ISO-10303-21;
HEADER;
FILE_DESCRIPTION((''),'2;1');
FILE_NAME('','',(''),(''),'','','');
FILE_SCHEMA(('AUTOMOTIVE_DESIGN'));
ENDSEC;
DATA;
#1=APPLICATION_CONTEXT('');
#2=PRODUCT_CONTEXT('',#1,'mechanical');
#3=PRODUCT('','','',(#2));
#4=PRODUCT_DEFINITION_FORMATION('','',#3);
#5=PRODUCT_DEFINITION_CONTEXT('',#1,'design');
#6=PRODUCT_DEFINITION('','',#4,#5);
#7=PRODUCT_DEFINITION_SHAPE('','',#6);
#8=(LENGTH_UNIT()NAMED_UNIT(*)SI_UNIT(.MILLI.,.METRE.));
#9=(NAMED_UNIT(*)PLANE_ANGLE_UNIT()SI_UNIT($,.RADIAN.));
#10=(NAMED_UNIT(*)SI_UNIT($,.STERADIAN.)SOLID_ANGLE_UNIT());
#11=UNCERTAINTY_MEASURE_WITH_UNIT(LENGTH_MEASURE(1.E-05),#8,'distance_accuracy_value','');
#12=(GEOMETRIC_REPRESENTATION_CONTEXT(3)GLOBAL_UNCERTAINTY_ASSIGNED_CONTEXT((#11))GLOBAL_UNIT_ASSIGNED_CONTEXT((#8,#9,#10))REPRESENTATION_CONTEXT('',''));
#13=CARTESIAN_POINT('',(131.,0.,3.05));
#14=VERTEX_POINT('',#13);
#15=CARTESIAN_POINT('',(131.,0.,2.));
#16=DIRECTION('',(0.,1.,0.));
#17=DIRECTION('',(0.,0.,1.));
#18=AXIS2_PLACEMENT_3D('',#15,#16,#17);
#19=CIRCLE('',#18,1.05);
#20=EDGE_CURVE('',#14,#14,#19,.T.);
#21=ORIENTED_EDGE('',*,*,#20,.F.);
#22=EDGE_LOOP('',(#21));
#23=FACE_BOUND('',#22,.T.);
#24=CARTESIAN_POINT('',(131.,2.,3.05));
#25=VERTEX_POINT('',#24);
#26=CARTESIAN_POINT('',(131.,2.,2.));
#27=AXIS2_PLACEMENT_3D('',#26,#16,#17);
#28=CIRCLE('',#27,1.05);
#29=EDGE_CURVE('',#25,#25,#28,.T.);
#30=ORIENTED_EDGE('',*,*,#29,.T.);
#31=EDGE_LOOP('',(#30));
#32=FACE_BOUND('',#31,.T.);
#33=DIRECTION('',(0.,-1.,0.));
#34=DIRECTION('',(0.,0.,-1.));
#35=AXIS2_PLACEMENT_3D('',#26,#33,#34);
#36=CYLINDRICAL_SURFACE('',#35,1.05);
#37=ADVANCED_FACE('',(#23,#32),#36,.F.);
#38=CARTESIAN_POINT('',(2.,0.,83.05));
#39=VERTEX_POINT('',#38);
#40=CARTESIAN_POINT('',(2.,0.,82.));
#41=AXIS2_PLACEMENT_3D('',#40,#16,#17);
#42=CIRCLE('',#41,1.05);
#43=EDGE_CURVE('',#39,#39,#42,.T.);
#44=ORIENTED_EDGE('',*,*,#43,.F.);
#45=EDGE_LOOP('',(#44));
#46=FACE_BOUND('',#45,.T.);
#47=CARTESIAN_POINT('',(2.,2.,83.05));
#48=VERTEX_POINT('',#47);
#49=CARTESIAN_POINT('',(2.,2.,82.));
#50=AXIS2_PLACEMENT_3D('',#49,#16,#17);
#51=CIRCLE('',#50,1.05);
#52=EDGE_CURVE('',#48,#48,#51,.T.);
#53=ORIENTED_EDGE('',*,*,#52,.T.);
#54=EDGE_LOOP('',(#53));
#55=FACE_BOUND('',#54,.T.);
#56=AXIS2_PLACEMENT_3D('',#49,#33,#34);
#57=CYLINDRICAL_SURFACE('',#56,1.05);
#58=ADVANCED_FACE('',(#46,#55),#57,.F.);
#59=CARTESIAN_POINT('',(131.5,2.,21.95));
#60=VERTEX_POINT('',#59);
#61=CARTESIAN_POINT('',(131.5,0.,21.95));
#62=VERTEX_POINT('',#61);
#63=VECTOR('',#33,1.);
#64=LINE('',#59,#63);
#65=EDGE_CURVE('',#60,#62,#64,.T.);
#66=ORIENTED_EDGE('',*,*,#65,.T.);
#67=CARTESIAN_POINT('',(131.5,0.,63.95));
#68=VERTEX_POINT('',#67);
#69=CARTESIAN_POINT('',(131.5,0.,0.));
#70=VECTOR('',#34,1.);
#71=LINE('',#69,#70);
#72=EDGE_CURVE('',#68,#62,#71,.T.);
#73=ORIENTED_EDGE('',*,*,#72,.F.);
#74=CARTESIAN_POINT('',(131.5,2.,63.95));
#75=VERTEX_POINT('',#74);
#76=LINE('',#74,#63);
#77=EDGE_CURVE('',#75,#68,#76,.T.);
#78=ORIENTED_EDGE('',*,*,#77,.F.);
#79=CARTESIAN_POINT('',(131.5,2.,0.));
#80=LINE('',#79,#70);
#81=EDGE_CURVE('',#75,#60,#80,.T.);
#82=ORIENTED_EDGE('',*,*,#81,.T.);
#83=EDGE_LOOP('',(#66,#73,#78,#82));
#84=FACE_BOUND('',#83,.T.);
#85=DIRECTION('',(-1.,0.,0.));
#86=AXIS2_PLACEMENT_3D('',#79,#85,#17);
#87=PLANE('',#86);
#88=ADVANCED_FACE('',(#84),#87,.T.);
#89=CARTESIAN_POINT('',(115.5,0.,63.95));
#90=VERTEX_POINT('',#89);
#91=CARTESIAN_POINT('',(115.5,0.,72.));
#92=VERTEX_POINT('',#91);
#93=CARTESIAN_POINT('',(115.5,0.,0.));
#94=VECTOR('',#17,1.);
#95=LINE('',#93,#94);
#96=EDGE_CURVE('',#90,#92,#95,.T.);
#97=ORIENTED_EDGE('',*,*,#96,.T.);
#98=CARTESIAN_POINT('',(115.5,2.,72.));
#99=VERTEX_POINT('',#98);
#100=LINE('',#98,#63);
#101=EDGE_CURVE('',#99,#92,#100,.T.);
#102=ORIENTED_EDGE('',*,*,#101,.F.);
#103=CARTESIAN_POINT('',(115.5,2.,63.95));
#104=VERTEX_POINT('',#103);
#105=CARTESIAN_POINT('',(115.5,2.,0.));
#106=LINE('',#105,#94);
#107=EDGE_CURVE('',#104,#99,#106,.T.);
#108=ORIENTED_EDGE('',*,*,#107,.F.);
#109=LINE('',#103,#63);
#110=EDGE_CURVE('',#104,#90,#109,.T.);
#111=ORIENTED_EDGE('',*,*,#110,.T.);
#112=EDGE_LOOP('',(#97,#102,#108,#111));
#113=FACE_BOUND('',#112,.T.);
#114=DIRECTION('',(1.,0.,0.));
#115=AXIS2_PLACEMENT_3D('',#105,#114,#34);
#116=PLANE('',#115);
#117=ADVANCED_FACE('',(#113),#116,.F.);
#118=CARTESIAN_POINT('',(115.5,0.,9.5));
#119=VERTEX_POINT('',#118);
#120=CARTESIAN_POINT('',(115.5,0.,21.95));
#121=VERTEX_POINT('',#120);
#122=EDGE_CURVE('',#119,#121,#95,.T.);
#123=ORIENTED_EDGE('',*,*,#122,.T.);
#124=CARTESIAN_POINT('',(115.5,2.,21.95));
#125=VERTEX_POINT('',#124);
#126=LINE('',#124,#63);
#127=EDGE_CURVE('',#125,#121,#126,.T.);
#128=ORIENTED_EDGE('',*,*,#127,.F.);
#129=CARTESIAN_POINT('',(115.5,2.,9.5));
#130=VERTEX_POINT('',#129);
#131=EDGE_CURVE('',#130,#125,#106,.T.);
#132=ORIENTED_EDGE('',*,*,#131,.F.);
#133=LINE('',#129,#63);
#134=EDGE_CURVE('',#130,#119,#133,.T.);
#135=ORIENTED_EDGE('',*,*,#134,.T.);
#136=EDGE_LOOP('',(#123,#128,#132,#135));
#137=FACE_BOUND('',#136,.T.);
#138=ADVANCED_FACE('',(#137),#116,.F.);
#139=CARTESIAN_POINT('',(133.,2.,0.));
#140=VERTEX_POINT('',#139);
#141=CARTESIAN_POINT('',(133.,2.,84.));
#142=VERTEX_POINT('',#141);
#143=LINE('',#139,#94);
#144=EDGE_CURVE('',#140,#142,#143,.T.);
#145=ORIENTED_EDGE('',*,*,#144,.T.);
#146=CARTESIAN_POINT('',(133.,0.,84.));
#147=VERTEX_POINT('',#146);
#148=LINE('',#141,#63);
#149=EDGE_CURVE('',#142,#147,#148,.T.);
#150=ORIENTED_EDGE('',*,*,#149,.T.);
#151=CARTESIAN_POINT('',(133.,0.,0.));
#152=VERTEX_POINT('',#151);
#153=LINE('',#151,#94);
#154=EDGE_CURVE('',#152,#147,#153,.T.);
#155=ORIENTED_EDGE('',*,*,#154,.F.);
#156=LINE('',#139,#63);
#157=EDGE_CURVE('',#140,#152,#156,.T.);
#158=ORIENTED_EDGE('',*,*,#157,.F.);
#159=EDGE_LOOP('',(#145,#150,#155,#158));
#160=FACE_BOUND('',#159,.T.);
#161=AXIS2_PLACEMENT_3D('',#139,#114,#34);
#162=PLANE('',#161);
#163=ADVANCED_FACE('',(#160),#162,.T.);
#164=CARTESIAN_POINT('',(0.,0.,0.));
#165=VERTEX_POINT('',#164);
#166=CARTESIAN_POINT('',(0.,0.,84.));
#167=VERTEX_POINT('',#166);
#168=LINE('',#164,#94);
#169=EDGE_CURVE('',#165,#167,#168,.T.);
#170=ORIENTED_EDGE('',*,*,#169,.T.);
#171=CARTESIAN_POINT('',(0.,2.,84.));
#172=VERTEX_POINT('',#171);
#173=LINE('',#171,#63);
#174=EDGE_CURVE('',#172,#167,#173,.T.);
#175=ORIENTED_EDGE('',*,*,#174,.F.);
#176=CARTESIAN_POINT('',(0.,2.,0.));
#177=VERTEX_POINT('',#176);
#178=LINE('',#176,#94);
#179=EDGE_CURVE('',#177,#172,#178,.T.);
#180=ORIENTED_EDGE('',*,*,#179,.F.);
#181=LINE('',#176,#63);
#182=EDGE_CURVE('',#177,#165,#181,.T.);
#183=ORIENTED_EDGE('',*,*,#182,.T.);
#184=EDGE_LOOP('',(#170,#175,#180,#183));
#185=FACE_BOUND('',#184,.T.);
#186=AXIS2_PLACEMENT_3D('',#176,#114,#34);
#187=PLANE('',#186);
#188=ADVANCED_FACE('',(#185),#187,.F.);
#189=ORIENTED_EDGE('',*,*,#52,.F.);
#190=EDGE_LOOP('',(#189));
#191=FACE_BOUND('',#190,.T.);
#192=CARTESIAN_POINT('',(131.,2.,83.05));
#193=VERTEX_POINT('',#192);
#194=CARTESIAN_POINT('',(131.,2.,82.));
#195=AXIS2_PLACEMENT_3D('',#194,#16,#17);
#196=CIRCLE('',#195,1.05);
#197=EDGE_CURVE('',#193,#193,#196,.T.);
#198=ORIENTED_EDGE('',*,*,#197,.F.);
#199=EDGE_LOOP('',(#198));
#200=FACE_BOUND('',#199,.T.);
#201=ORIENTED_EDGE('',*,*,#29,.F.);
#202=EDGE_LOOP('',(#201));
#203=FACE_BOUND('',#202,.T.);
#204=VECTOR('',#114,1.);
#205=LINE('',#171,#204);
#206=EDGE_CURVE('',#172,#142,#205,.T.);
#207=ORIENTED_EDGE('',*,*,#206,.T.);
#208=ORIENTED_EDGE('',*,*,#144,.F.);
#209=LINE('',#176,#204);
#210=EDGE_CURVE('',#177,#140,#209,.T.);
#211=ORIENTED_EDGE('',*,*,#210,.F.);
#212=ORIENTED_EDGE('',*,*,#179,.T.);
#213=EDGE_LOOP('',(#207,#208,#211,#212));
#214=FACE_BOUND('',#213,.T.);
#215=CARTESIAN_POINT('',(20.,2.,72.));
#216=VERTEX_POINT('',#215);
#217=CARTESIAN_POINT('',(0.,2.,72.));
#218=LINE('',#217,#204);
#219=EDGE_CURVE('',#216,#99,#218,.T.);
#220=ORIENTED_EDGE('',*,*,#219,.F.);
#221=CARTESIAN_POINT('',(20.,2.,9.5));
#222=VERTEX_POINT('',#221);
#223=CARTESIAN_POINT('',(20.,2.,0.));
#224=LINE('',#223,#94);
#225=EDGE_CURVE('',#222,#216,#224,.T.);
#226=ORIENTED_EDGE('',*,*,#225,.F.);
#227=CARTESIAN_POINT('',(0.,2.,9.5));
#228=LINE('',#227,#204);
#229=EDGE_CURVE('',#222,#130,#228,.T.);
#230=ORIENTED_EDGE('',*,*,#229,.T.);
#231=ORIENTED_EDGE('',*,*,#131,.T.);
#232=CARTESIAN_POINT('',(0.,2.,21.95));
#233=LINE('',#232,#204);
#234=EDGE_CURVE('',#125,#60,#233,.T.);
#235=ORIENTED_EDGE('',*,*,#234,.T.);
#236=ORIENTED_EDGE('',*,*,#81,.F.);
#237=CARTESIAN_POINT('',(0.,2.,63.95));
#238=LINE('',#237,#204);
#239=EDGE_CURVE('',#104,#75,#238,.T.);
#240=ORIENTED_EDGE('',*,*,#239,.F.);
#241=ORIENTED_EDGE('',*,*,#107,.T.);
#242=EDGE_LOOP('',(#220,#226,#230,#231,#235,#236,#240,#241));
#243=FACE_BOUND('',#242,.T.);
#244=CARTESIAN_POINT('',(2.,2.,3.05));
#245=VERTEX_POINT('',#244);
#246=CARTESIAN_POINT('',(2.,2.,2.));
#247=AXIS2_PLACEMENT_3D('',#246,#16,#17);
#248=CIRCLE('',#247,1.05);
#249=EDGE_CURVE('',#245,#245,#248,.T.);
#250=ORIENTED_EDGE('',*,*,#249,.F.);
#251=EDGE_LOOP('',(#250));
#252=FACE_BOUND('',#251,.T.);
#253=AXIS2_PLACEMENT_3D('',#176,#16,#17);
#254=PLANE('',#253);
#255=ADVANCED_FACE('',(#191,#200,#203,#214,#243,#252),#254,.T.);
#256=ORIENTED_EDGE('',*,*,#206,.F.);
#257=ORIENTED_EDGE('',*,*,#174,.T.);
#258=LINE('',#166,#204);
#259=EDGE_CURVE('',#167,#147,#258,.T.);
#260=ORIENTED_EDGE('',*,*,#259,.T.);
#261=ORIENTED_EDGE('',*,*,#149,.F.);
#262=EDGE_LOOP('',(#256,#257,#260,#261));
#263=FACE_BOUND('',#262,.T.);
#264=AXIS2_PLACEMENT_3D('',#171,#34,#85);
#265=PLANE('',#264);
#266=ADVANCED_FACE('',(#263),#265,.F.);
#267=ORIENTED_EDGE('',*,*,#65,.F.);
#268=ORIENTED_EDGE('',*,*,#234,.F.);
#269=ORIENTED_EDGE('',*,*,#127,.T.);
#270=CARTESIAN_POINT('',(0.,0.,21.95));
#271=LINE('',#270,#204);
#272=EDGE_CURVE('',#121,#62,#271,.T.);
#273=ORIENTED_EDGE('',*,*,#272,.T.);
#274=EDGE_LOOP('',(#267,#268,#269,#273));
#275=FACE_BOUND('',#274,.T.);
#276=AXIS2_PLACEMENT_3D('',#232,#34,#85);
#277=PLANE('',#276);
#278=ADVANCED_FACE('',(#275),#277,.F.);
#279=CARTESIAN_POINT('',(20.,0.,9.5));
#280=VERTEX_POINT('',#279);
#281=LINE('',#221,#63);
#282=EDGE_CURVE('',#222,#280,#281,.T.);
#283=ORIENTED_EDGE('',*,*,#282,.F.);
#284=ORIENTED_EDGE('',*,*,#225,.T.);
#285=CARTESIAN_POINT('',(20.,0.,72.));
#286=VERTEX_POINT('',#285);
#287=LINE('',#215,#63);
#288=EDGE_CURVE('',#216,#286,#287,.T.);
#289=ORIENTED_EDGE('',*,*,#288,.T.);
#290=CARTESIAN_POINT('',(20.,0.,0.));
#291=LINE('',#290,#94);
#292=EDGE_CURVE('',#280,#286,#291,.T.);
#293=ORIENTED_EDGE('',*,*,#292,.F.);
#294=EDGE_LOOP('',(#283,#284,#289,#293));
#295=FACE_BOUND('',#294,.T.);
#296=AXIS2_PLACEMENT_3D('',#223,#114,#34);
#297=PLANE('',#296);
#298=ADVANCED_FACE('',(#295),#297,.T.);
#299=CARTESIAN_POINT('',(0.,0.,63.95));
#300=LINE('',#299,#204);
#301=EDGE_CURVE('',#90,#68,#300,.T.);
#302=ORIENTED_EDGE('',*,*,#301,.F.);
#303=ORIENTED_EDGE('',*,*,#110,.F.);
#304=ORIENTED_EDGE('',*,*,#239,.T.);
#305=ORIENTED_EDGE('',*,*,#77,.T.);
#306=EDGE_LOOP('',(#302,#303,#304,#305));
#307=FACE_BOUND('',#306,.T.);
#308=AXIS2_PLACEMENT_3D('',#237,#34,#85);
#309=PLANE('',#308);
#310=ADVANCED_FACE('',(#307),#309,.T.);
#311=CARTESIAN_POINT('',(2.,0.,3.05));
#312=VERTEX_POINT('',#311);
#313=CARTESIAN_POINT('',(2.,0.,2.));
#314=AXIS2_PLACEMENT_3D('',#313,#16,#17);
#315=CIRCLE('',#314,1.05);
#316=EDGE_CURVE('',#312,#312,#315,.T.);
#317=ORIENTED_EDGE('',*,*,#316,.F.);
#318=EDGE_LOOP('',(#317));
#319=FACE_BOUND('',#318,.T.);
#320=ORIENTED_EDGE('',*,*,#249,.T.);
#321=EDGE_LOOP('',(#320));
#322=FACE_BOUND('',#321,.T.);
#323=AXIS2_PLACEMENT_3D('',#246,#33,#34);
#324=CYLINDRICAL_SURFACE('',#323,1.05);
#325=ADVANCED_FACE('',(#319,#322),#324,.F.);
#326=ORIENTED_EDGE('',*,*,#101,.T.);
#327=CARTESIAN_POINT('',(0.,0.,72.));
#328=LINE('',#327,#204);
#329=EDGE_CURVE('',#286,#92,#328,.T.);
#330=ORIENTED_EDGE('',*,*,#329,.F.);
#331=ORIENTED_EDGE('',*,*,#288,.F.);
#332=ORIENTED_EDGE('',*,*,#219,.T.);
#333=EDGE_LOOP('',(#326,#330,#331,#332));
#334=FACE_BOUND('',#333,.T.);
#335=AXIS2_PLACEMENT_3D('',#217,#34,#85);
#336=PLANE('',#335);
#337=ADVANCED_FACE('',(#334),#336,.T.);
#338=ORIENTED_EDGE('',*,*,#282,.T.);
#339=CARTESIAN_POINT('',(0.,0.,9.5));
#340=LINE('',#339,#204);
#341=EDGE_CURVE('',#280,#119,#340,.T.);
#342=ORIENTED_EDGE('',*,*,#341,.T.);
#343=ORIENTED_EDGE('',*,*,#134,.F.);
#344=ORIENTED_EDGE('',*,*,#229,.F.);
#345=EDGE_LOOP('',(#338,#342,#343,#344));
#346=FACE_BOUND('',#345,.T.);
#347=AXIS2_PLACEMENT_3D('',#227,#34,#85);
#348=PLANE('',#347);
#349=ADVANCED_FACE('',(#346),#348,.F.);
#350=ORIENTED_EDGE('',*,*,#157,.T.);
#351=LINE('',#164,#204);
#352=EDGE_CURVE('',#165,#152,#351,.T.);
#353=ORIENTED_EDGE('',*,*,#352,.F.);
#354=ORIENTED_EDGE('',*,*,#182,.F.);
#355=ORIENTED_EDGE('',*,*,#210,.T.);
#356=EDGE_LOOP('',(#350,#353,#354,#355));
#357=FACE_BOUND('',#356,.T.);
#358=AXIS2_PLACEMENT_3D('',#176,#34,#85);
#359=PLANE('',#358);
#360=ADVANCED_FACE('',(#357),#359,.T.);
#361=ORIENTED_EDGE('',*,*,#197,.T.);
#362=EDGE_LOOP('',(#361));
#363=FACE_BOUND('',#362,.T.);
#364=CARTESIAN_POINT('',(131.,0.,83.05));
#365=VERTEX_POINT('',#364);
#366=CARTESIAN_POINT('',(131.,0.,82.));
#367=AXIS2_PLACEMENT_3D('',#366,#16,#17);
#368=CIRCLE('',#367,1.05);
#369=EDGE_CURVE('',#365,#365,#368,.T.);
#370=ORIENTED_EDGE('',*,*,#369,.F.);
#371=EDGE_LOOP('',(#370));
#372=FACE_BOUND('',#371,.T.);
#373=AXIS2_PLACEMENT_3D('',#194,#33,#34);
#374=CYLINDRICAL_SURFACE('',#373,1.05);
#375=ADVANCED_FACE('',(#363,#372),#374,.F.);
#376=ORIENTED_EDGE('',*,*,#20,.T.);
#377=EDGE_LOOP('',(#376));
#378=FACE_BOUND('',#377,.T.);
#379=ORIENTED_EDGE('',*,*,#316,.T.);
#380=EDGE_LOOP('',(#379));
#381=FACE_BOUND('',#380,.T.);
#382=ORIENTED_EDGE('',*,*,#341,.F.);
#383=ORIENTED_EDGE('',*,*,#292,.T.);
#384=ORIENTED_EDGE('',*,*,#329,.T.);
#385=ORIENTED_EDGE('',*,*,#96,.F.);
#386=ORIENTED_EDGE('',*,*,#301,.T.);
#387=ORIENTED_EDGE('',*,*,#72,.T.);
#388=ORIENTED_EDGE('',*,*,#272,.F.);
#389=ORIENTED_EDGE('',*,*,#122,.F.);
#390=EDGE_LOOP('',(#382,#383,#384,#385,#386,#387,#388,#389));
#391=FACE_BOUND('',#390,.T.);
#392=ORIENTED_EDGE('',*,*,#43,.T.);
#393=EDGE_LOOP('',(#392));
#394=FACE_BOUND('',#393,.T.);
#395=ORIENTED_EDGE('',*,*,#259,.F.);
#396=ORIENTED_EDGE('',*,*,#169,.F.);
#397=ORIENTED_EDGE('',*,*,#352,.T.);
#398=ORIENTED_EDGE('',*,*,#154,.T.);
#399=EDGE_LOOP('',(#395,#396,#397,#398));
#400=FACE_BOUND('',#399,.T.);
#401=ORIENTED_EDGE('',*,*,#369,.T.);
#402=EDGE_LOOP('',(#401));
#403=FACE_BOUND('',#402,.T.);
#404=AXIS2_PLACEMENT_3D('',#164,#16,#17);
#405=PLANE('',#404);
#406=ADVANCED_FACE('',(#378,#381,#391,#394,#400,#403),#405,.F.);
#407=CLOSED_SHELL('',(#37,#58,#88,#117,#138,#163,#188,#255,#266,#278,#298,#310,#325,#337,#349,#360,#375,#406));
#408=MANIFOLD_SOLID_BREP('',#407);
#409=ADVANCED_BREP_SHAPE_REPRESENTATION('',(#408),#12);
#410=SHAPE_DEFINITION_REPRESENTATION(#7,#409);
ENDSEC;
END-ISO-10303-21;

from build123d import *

# Parameters (mm, degrees)
SKETCH_1_W      = 133
SKETCH_1_H      = 84
SKETCH_1_R      = 1.05
EXTRUDE_1_DEPTH = 2


with BuildPart() as part:
    # 草图1 → 凸台-拉伸1 (new body)
    with BuildSketch(Plane(origin=(0, 0, 0), x_dir=(1, 0, 0), z_dir=(0, 1, 0))):
        with Locations((66.5, -42)):
            Rectangle(SKETCH_1_W, SKETCH_1_H)
        with Locations(Location((2, -82, 0), (0, 0, 270))):
            Circle(SKETCH_1_R, mode=Mode.SUBTRACT)
        with Locations(Location((131, -82, 0), (0, 0, 270))):
            Circle(SKETCH_1_R, mode=Mode.SUBTRACT)
        with Locations(Location((2, -2, 0), (0, 0, 270))):
            Circle(SKETCH_1_R, mode=Mode.SUBTRACT)
        Polygon((20, -72), (20, -9.5), (115.5, -9.5), (115.5, -21.95), (131.5, -21.95), (131.5, -63.95), (115.5, -63.95), (115.5, -72), align=None, mode=Mode.SUBTRACT)
        with Locations(Location((131, -2, 0), (0, 0, 270))):
            Circle(SKETCH_1_R, mode=Mode.SUBTRACT)
    extrude(amount=EXTRUDE_1_DEPTH)


solid = part.part
